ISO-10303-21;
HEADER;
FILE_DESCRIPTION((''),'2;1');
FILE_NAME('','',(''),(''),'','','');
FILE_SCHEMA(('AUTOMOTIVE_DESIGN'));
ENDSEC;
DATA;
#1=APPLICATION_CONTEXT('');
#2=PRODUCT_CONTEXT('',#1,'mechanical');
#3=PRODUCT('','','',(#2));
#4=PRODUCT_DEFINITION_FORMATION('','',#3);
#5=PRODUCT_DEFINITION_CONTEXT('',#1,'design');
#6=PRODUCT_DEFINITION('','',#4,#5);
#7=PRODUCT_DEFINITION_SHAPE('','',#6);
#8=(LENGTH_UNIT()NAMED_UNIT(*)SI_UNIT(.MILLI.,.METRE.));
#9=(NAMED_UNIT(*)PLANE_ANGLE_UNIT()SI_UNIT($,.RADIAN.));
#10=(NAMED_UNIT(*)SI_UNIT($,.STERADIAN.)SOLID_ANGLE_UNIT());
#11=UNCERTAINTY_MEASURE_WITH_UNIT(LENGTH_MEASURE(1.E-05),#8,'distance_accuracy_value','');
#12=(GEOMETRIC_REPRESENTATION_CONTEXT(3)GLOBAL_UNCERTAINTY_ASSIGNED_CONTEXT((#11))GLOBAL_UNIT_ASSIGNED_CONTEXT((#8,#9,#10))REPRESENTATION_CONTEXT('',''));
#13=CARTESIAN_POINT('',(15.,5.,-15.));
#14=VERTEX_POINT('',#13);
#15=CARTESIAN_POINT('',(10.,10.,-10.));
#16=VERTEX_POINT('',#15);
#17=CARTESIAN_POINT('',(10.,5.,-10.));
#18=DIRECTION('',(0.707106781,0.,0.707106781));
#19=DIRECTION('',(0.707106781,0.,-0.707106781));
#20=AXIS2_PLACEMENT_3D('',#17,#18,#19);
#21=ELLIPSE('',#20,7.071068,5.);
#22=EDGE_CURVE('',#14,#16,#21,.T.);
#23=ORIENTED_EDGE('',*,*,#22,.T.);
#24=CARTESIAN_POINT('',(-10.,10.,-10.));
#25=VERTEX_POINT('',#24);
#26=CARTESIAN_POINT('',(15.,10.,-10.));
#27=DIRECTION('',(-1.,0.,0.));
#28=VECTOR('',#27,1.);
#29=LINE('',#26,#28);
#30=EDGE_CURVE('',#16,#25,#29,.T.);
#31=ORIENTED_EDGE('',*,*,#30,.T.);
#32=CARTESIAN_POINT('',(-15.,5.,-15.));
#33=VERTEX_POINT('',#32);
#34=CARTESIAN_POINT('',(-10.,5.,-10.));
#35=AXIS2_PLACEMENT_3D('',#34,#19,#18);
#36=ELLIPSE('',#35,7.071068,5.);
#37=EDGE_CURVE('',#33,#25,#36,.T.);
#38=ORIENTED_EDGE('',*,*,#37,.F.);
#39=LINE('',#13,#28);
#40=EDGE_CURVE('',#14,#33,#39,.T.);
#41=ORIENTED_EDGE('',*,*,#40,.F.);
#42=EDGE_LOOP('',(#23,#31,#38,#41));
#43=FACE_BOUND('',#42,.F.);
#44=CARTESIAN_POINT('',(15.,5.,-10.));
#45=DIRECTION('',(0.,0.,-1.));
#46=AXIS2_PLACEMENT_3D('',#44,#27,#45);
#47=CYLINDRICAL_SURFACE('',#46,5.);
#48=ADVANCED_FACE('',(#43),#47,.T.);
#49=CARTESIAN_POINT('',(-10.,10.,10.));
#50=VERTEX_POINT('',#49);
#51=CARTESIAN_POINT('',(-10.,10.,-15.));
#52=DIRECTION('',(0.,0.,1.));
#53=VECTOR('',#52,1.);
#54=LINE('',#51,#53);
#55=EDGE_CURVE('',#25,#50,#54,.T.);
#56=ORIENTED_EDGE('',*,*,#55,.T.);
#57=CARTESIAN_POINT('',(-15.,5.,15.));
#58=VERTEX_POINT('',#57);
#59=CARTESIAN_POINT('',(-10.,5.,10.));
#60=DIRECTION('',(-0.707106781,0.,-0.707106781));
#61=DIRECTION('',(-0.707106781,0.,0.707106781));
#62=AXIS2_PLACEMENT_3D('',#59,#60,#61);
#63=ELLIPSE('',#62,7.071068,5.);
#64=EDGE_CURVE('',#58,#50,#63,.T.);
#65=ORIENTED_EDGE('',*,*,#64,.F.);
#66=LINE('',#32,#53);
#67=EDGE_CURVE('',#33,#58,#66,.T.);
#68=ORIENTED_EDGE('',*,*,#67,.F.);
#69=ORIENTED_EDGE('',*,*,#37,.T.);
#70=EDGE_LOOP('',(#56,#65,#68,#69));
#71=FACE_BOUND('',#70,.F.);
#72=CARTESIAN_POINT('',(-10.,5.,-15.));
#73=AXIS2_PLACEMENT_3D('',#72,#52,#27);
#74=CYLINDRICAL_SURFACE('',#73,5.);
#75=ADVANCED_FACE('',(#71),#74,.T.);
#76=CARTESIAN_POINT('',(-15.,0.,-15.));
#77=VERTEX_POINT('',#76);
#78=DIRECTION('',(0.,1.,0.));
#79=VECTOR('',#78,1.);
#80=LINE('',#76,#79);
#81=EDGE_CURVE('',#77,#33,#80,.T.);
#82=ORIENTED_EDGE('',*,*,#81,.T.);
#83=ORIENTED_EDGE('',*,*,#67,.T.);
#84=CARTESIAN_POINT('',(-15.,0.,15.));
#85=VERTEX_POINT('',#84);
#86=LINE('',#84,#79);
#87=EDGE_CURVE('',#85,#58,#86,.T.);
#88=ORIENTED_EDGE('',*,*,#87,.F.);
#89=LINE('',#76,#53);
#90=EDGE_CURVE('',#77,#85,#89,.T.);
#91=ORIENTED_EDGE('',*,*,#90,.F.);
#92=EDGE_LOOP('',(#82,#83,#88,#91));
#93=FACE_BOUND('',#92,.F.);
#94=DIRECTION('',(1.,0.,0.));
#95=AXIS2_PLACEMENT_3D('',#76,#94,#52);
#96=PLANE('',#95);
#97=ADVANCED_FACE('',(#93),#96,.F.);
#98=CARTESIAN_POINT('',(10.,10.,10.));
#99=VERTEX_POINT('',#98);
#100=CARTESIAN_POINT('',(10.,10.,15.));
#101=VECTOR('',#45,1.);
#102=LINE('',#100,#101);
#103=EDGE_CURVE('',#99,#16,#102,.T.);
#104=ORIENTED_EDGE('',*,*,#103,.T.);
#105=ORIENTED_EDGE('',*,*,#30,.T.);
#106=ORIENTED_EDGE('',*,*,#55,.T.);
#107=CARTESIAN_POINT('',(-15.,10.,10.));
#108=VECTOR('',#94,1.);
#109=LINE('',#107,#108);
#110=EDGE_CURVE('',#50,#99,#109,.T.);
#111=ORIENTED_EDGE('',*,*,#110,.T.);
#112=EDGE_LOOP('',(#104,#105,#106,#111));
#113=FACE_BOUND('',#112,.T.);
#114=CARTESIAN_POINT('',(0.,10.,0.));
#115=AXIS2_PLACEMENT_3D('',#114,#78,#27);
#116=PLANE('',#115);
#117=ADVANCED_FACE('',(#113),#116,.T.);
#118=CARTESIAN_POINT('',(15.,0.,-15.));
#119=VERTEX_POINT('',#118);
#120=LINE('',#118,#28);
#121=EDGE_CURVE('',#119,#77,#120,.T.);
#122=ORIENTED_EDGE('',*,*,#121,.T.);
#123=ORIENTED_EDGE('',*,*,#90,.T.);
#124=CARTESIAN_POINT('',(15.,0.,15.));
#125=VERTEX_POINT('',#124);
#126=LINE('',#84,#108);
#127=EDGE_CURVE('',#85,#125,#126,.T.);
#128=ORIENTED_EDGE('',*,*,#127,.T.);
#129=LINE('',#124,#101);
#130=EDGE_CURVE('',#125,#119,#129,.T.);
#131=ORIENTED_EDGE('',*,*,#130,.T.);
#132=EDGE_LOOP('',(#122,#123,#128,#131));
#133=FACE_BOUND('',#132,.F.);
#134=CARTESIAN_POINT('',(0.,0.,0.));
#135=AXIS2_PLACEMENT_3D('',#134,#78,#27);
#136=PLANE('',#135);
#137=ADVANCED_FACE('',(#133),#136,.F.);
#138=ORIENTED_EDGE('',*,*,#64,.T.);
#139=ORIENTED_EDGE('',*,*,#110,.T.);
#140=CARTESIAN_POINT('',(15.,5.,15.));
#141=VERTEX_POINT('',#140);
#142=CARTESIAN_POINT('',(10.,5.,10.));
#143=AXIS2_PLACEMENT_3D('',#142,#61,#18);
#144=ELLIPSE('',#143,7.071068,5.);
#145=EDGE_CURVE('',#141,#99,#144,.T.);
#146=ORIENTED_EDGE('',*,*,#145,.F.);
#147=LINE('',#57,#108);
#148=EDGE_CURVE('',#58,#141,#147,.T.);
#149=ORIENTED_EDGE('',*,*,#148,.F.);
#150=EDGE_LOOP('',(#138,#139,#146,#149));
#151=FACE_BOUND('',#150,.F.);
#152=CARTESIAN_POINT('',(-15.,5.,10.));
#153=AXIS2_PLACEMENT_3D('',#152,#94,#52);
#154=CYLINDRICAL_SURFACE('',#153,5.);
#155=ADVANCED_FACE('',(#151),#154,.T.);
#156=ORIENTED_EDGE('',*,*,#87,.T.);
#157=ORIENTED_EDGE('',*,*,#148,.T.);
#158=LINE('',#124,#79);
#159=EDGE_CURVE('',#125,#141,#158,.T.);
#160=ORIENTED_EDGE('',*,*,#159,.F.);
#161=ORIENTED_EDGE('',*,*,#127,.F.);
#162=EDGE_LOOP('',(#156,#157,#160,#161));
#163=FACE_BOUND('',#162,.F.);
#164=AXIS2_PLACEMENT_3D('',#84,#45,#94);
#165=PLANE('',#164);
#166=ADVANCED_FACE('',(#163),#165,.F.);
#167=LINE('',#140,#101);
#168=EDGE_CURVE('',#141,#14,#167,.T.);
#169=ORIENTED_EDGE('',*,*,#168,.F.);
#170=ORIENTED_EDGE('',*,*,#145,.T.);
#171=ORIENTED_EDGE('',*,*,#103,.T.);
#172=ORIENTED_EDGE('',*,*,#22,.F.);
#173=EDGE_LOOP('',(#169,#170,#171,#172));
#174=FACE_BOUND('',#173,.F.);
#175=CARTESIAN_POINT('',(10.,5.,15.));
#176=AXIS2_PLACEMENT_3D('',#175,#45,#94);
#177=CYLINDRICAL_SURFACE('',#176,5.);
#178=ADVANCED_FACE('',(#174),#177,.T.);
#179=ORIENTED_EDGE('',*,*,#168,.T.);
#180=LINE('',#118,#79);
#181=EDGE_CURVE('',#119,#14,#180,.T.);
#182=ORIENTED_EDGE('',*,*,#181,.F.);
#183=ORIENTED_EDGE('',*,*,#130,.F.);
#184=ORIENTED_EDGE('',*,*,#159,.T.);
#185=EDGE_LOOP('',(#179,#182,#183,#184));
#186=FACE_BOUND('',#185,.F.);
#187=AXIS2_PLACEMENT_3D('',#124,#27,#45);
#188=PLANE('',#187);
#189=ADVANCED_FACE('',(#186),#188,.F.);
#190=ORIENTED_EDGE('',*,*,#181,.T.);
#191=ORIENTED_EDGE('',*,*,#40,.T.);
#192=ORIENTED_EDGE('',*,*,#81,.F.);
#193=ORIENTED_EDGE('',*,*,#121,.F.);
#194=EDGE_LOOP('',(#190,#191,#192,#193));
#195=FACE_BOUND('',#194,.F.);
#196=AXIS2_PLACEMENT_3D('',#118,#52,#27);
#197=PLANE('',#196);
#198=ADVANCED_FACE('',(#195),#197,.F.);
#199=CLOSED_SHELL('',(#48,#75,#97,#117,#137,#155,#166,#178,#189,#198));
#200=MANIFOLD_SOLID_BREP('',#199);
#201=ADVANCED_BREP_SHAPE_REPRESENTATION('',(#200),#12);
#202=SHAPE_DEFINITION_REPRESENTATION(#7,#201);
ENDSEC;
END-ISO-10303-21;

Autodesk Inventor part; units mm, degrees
ref_plane "YZ Plane" through (0, 0, 0) normal (1, 0, 0) x (0, 1, 0)
ref_plane "XZ Plane" through (0, 0, 0) normal (0, 1, 0) x (-1, 0, 0)
ref_plane "XY Plane" through (0, 0, 0) normal (0, 0, 1) x (1, 0, 0)
sketch "Sketch1" plane through (0, 0, 0) normal (0, 1, 0) x (-1, 0, 0)
  line L0 (-15, -15) -> (15, -15)
  line L1 (15, -15) -> (15, 15)
  line L2 (15, 15) -> (-15, 15)
  line L3 (-15, 15) -> (-15, -15)
  line L4 (-15, -15) -> (15, 15) construction
  line L5 (15, -15) -> (-15, 15) construction
  point P0 (0, 0)
  dimension "d0" = 30
  dimension "d1" = 30
extrude "Extrusion1" add sketch "Sketch1" along normal blind 10
fillet "Fillet1" radius 5 4 edges at (-15, 10, 0) (0, 10, 15) (15, 10, 0) (0, 10, -15)
properties part number "20mmx20mmPlatform"
